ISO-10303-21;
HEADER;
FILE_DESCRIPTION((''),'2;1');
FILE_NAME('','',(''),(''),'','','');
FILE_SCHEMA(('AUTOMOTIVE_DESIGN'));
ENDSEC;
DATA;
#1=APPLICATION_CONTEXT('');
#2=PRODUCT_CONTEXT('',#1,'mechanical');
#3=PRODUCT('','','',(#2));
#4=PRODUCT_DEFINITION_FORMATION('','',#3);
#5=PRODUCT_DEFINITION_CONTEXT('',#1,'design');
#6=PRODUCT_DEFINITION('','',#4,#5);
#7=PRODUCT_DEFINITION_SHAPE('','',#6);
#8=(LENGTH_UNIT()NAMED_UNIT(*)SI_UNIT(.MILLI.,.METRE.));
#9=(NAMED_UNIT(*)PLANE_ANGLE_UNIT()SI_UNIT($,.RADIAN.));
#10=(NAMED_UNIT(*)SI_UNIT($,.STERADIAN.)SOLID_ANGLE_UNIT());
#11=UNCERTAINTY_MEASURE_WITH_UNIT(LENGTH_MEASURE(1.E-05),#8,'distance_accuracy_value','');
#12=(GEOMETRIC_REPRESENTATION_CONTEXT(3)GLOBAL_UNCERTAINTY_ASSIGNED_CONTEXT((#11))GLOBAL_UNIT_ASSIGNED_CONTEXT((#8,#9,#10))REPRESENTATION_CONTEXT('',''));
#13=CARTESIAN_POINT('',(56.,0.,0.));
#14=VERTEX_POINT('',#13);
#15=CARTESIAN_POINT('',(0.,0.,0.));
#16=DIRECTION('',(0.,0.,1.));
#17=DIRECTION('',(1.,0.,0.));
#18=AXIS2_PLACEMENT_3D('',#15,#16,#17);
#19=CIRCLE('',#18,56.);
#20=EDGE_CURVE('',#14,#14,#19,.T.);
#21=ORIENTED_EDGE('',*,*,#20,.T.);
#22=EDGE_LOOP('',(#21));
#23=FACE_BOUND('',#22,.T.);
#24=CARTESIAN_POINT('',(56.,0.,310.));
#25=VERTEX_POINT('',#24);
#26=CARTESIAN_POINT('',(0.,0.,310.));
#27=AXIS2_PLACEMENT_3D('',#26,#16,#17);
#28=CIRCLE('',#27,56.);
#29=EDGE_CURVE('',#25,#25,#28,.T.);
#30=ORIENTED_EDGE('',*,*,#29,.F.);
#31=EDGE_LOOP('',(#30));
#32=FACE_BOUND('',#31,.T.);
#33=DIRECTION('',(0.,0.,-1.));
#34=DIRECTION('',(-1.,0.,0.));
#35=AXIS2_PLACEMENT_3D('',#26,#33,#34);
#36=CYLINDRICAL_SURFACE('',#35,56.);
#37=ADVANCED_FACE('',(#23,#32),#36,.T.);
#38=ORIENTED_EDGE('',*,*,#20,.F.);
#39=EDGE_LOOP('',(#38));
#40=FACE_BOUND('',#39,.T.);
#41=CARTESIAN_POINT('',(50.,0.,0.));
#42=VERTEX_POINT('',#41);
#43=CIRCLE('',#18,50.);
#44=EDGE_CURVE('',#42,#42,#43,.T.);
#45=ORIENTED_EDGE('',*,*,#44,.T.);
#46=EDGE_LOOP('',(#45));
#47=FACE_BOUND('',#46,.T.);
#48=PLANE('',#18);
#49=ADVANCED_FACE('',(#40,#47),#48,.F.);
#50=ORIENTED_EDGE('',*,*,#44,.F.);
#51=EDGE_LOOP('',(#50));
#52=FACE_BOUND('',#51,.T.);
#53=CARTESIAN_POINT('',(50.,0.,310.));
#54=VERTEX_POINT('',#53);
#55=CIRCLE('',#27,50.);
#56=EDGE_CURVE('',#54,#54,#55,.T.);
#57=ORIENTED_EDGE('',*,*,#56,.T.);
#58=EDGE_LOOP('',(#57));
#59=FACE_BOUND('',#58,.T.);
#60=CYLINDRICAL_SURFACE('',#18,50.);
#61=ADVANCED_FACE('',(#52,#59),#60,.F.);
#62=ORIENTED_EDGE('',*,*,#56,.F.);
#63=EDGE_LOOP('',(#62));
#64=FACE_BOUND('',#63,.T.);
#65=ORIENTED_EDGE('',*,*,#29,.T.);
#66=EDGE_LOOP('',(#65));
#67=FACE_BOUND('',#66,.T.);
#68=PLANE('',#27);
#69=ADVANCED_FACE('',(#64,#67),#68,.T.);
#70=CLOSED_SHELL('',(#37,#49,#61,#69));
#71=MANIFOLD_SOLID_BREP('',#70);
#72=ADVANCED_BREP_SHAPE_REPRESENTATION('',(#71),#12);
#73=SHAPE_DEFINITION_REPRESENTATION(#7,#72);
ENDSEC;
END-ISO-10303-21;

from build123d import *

# Parameters (mm, degrees)
SKETCH1_R           = 56
BOSS_EXTRUDE1_DEPTH = 310
SKETCH2_R           = 50
CUT_EXTRUDE1_DEPTH  = 310


with BuildPart() as part:
    # Sketch1 → Boss-Extrude1 (new body)
    with BuildSketch(Plane.XY):
        Circle(SKETCH1_R)
    extrude(amount=BOSS_EXTRUDE1_DEPTH)

    # Sketch2 → Cut-Extrude1 (cut)
    with BuildSketch(Plane.XY.offset(310)):
        Circle(SKETCH2_R)
    extrude(amount=-CUT_EXTRUDE1_DEPTH, mode=Mode.SUBTRACT)


solid = part.part
